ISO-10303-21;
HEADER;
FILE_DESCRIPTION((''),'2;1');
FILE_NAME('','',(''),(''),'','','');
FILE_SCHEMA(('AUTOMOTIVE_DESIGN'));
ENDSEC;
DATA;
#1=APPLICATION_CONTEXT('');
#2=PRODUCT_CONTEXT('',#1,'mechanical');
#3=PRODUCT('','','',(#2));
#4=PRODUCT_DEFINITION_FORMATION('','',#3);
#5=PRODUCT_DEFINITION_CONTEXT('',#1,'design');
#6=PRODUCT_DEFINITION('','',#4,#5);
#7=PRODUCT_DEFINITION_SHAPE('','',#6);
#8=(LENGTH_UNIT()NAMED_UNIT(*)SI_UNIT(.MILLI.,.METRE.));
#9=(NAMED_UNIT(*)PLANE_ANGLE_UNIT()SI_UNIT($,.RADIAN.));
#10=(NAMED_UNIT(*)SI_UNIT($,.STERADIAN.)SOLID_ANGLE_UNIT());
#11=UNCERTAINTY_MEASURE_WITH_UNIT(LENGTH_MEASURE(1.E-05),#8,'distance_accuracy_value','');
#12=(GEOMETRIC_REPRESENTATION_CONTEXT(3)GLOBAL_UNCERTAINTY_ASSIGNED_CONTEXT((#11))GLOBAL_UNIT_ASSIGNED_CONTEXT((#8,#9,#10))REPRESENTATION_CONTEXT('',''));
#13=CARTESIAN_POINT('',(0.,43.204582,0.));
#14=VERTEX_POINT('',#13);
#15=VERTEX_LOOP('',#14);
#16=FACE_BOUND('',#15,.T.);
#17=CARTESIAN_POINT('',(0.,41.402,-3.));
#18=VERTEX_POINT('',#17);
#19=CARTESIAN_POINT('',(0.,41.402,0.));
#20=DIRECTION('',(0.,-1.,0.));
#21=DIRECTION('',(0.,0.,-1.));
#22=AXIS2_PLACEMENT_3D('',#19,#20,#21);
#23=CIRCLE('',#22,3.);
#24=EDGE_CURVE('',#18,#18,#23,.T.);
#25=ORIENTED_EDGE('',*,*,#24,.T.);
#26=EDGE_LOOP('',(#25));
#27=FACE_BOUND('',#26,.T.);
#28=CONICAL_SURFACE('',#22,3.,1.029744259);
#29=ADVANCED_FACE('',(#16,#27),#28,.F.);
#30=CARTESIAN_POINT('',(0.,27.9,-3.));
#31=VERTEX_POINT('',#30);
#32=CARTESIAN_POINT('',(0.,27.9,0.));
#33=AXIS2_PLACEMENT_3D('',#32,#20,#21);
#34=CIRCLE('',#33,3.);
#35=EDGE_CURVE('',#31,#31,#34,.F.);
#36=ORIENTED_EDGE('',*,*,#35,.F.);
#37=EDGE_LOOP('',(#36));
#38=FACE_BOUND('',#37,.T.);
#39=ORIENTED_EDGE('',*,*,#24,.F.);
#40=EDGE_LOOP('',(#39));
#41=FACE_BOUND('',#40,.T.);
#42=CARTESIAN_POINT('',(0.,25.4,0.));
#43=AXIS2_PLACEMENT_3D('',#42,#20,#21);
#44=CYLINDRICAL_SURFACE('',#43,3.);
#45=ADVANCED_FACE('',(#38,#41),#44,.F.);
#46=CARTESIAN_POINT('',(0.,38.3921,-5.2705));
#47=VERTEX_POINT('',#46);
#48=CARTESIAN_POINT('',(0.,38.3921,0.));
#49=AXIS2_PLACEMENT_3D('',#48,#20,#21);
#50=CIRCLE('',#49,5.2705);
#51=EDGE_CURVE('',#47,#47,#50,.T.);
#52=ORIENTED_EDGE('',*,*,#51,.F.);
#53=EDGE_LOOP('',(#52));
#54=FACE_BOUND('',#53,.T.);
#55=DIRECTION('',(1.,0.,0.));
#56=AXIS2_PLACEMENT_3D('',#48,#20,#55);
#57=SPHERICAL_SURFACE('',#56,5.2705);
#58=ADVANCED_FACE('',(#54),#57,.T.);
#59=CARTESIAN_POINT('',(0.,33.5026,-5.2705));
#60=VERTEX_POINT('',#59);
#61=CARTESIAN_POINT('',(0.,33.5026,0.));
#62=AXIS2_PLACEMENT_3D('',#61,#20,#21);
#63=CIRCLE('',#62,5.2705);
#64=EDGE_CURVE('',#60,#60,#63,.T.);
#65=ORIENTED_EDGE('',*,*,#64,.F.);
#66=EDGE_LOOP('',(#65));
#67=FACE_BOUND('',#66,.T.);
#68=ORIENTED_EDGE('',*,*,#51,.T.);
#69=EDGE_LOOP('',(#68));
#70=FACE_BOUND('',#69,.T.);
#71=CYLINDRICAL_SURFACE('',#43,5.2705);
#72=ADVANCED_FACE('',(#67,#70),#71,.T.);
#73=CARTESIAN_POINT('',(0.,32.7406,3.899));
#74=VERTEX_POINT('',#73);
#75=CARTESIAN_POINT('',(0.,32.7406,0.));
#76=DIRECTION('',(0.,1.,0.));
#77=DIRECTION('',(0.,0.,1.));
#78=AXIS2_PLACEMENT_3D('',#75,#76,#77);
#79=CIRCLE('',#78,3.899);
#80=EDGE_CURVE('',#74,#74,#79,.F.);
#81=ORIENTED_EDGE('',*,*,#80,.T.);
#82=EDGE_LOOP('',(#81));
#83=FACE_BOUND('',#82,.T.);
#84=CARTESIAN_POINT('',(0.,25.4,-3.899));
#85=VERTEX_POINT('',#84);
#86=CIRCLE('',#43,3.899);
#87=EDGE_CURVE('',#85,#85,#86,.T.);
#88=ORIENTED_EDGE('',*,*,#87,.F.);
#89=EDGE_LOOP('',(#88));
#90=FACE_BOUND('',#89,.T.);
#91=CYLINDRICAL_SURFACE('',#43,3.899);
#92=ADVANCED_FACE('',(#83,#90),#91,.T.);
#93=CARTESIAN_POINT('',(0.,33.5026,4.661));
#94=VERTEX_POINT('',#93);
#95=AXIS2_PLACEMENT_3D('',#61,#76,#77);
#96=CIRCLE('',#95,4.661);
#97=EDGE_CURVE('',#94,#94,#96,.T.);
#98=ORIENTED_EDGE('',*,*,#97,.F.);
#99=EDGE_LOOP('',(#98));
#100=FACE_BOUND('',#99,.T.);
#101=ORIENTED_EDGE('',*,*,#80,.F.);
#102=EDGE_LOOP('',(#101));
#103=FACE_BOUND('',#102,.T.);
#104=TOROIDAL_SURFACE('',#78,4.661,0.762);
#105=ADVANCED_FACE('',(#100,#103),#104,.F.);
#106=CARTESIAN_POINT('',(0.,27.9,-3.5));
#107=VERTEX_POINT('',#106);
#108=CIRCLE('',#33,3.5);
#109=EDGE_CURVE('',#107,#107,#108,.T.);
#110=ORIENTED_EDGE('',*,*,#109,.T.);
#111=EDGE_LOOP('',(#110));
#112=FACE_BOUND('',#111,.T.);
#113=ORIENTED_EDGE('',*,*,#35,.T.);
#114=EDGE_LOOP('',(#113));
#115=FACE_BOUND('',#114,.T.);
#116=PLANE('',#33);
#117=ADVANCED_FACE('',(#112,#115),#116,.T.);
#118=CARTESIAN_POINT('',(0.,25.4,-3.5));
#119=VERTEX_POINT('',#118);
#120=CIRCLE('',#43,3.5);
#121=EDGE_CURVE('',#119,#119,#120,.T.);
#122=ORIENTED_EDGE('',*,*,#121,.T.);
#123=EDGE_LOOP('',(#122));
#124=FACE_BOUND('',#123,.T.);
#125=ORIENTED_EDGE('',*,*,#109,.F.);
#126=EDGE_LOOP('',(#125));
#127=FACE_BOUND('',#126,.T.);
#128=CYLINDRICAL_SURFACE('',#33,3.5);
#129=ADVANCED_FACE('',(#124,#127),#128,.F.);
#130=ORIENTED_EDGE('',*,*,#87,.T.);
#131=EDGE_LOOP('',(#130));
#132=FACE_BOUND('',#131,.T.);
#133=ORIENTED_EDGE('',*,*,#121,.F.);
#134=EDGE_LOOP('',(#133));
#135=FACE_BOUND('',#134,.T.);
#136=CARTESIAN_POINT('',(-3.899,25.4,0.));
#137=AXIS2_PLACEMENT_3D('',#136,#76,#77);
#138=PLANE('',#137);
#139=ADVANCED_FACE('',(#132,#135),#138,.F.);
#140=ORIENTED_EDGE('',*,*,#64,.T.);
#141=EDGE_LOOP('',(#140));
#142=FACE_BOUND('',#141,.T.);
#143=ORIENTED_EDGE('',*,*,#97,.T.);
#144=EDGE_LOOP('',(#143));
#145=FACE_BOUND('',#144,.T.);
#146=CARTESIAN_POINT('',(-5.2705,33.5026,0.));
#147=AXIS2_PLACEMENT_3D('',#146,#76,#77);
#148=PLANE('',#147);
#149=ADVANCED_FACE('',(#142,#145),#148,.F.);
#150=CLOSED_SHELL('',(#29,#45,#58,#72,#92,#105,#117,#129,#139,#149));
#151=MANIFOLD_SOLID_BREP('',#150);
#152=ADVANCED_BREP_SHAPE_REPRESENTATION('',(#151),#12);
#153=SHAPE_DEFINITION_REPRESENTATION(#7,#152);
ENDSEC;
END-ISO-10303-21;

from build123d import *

# Parameters (mm, degrees)
M7X1_0_TAPPED_HOLE1_D     = 6
M7X1_0_TAPPED_HOLE1_DEPTH = 16.002
M7X1_0_TAPPED_HOLE1_TIP   = 1.802581857
SKETCH4_R                 = 3.5
CUT_EXTRUDE1_DEPTH        = 2.5
FILLET1_R                 = 0.762


with BuildPart() as part:
    # Sketch1 → Revolve1 (revolve)
    with BuildSketch(Plane.XY):
        with BuildLine():
            Line((-5.2705, 38.3921), (-5.2705, 33.5026))
            Line((-5.2705, 33.5026), (-3.899, 33.5026))
            Line((-3.899, 33.5026), (-3.899, 25.4))
            Line((-3.899, 25.4), (0, 25.4))
            Line((0, 25.4), (0, 43.6626))
            ThreePointArc((0, 43.6626), (-3.72680629, 42.11890629), (-5.2705, 38.3921))
        make_face()
    revolve(axis=Axis((0, 25.4, 0), (0, 1, 0)))

    # M7x1.0 Tapped Hole1
    with Locations(Plane(origin=(0, 25.4, 0), x_dir=(-1, 0, 0), z_dir=(0, -1, 0))):
        with Locations((0, 0)):
            Hole(M7X1_0_TAPPED_HOLE1_D / 2, depth=M7X1_0_TAPPED_HOLE1_DEPTH)
            with Locations((0, 0, -(M7X1_0_TAPPED_HOLE1_DEPTH + M7X1_0_TAPPED_HOLE1_TIP / 2))):  # 118° drill point
                Cone(0, M7X1_0_TAPPED_HOLE1_D / 2, M7X1_0_TAPPED_HOLE1_TIP, mode=Mode.SUBTRACT)

    # Sketch4 → Cut-Extrude1 (cut)
    with BuildSketch(Plane.XZ.offset(-25.4)):
        Circle(SKETCH4_R)
    extrude(amount=-CUT_EXTRUDE1_DEPTH, mode=Mode.SUBTRACT)

    # Fillet1
    fillet1_edges = [part.edges().sort_by_distance(p)[0] for p in [
        (3.899, 33.5026, 0),
    ]]
    fillet(fillet1_edges, radius=FILLET1_R)


solid = part.part
